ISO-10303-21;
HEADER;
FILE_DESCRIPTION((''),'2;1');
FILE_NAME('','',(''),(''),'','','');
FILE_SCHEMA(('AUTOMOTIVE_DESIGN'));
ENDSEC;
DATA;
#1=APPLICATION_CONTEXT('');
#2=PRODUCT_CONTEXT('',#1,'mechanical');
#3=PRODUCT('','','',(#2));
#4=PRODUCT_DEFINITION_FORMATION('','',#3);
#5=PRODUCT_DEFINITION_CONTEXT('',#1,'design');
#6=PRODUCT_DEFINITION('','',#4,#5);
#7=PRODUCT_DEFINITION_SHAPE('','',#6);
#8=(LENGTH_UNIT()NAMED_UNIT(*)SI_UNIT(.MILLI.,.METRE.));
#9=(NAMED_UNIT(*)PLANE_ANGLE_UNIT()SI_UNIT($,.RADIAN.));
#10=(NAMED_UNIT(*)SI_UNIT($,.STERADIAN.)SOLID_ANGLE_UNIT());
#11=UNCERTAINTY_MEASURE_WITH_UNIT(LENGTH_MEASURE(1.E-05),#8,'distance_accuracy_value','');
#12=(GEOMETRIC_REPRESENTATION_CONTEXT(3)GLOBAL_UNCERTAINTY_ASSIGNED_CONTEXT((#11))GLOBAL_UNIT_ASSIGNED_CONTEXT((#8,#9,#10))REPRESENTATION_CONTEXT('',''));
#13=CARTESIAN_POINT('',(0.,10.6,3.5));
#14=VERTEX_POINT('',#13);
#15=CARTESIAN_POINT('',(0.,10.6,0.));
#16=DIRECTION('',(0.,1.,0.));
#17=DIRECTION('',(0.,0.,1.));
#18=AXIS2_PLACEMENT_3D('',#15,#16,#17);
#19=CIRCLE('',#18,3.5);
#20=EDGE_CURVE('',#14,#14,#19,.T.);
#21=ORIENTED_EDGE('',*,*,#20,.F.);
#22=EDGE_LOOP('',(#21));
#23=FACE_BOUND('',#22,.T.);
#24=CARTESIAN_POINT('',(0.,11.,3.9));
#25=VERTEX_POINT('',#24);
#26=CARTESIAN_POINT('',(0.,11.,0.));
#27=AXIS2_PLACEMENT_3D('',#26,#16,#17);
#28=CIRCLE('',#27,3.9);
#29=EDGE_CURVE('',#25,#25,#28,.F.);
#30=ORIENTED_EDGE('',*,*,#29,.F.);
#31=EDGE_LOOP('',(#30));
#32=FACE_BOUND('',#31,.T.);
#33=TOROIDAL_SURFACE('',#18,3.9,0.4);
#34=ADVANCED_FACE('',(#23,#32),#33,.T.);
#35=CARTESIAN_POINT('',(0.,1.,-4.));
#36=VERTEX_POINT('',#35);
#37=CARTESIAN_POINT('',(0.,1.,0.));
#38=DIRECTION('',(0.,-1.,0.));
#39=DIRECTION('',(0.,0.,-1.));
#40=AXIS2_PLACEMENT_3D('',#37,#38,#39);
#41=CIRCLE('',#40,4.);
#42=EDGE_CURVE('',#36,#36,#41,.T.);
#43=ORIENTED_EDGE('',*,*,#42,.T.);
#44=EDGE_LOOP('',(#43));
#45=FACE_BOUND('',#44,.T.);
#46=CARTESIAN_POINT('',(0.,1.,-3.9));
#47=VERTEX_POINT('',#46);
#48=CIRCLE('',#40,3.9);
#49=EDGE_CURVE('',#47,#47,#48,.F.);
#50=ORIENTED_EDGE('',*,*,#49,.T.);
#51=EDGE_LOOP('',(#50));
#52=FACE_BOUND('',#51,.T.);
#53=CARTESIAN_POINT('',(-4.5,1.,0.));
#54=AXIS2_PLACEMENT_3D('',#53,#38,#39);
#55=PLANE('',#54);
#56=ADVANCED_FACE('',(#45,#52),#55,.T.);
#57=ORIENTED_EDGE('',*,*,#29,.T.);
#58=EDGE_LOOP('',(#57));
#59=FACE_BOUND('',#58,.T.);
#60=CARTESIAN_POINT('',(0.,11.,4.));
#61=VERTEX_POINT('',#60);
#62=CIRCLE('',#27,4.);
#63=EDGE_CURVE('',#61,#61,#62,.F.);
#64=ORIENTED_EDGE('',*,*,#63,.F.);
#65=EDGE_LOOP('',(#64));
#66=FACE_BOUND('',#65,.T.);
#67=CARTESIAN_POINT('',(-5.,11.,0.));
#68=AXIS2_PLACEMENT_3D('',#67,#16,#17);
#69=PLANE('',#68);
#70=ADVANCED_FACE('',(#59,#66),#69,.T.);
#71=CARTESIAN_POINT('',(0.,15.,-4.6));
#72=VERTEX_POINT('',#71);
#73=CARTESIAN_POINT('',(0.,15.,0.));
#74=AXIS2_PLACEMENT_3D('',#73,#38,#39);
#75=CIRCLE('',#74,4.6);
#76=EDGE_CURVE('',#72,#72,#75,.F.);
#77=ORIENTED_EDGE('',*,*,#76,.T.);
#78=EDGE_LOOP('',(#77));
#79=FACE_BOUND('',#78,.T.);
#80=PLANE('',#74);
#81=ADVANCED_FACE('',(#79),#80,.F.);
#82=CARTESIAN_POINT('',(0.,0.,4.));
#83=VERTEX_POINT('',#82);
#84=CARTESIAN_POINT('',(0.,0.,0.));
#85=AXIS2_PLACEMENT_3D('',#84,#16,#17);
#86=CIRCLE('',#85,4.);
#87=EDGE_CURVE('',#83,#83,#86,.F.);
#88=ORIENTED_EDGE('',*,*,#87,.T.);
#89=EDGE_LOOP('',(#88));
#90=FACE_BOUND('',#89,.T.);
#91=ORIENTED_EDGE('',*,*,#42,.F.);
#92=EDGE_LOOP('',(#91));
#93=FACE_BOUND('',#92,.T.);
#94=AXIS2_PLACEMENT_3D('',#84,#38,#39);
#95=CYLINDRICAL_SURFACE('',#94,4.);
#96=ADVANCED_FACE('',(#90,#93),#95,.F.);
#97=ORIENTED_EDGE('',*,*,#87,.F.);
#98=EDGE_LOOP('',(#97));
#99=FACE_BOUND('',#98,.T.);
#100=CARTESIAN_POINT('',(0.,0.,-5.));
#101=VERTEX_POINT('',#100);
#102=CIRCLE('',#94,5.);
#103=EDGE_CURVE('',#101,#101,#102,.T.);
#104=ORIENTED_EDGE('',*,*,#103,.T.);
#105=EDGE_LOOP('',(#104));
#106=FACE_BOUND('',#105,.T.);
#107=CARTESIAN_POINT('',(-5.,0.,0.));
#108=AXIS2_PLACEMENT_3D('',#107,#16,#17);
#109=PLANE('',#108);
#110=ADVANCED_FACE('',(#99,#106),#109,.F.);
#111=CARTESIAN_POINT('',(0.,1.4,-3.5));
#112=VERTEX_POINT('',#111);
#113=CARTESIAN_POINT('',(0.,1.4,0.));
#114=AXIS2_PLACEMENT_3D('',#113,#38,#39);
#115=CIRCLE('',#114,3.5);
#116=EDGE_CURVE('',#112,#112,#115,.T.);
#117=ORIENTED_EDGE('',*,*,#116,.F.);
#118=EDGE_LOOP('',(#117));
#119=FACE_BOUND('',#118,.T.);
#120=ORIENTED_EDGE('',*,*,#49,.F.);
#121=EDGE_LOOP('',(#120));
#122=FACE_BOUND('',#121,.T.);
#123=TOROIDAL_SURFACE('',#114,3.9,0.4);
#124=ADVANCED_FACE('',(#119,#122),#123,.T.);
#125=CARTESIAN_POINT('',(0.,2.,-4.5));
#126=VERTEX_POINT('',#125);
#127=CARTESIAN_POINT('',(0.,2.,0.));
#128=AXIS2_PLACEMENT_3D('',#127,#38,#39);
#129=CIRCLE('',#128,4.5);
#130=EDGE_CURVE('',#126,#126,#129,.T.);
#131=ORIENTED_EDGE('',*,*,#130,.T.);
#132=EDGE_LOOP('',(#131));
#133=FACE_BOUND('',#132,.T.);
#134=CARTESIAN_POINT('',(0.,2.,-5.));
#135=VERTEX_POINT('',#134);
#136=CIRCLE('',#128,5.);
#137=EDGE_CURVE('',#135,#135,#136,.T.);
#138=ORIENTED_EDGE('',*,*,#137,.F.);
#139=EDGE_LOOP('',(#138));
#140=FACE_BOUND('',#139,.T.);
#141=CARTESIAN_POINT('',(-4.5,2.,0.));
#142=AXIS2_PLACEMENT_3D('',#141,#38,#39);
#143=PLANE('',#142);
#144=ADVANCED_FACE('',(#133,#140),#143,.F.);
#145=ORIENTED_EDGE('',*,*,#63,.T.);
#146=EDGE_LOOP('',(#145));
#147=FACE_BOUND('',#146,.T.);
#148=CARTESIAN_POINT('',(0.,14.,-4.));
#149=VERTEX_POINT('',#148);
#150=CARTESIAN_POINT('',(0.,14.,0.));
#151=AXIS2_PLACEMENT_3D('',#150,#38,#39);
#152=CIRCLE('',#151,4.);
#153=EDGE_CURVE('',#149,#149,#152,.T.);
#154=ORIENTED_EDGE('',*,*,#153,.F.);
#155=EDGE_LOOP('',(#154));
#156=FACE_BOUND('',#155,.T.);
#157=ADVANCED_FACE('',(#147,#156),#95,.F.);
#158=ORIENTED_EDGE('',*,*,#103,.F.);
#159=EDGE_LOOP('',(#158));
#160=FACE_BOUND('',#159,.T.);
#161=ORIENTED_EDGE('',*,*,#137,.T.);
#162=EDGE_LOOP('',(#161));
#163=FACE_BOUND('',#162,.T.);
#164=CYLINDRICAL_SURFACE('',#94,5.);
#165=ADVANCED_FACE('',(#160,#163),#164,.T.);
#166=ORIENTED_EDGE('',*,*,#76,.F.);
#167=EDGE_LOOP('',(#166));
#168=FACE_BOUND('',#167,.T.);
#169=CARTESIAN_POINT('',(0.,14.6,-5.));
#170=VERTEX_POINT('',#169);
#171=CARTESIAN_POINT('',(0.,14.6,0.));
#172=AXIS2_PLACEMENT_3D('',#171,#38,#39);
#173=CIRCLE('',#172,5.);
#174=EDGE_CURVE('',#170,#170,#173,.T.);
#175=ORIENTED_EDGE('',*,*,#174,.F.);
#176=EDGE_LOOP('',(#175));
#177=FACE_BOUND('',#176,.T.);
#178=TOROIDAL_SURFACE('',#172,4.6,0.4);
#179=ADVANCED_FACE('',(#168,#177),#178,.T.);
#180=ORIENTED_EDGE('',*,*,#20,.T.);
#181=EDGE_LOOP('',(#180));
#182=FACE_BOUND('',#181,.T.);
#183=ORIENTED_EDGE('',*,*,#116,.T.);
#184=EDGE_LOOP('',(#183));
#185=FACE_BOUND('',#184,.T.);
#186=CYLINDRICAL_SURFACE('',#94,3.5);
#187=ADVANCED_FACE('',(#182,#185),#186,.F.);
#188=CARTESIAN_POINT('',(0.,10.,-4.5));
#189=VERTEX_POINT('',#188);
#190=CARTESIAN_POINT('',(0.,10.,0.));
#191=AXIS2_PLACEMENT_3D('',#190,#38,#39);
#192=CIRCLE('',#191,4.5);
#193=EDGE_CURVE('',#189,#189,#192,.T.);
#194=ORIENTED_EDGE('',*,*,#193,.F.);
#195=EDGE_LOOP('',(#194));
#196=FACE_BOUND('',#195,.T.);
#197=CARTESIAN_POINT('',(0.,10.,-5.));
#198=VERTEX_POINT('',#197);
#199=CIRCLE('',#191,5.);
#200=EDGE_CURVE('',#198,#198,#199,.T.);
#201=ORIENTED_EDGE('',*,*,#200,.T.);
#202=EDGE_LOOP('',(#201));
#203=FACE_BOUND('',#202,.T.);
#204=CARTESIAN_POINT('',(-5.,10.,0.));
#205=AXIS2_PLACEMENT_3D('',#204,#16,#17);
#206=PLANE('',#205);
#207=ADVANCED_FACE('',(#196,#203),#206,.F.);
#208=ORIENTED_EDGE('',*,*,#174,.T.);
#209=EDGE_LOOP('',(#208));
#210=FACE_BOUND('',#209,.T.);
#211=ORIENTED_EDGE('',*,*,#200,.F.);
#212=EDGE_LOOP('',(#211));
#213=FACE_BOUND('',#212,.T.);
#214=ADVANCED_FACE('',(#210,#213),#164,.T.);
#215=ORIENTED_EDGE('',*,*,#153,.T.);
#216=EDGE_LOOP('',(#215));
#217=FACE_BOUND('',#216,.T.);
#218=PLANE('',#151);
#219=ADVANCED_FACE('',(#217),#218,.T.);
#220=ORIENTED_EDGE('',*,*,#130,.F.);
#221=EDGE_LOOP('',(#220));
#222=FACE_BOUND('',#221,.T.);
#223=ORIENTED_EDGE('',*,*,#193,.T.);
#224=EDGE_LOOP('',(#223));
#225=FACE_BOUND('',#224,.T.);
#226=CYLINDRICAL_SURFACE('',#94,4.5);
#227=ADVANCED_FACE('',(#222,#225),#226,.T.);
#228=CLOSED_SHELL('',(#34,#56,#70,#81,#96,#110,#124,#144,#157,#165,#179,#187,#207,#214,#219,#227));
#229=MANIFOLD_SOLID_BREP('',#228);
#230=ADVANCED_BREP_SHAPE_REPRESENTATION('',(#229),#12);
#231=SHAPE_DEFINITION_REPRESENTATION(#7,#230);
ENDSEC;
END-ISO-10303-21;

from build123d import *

# Parameters (mm, degrees)
SHELL4_T  = -1
FILLET1_R = 0.4
FILLET2_R = 0.4
FILLET3_R = 0.4


with BuildPart() as part:
    # Sketch1 → Revolve2 (revolve)
    with BuildSketch(Plane.XY, mode=Mode.PRIVATE) as revolve2_sk:
        Polygon((0, 15), (-5, 15), (-5, 10), (-4.5, 10), (-4.5, 2), (-5, 2), (-5, 0), (0, 0), align=None)
    revolve(revolve2_sk.sketch.rotate(Axis((0, 0, 0), (0, 1, 0)), 270), axis=Axis((0, 0, 0), (0, 1, 0)))

    # Shell4
    shell4_openings = [part.faces().sort_by_distance(p)[0] for p in [
        (0, 0, 0),
    ]]
    offset(amount=SHELL4_T, openings=shell4_openings, kind=Kind.INTERSECTION)

    # Fillet1
    fillet1_edges = [part.edges().sort_by_distance(p)[0] for p in [
        (0, 15, 5),
    ]]
    fillet(fillet1_edges, radius=FILLET1_R)

    # Fillet2
    fillet2_edges = [part.edges().sort_by_distance(p)[0] for p in [
        (0, 1, 3.5),
    ]]
    fillet(fillet2_edges, radius=FILLET2_R)

    # Fillet3
    fillet3_edges = [part.edges().sort_by_distance(p)[0] for p in [
        (0, 11, 3.5),
    ]]
    fillet(fillet3_edges, radius=FILLET3_R)


solid = part.part
